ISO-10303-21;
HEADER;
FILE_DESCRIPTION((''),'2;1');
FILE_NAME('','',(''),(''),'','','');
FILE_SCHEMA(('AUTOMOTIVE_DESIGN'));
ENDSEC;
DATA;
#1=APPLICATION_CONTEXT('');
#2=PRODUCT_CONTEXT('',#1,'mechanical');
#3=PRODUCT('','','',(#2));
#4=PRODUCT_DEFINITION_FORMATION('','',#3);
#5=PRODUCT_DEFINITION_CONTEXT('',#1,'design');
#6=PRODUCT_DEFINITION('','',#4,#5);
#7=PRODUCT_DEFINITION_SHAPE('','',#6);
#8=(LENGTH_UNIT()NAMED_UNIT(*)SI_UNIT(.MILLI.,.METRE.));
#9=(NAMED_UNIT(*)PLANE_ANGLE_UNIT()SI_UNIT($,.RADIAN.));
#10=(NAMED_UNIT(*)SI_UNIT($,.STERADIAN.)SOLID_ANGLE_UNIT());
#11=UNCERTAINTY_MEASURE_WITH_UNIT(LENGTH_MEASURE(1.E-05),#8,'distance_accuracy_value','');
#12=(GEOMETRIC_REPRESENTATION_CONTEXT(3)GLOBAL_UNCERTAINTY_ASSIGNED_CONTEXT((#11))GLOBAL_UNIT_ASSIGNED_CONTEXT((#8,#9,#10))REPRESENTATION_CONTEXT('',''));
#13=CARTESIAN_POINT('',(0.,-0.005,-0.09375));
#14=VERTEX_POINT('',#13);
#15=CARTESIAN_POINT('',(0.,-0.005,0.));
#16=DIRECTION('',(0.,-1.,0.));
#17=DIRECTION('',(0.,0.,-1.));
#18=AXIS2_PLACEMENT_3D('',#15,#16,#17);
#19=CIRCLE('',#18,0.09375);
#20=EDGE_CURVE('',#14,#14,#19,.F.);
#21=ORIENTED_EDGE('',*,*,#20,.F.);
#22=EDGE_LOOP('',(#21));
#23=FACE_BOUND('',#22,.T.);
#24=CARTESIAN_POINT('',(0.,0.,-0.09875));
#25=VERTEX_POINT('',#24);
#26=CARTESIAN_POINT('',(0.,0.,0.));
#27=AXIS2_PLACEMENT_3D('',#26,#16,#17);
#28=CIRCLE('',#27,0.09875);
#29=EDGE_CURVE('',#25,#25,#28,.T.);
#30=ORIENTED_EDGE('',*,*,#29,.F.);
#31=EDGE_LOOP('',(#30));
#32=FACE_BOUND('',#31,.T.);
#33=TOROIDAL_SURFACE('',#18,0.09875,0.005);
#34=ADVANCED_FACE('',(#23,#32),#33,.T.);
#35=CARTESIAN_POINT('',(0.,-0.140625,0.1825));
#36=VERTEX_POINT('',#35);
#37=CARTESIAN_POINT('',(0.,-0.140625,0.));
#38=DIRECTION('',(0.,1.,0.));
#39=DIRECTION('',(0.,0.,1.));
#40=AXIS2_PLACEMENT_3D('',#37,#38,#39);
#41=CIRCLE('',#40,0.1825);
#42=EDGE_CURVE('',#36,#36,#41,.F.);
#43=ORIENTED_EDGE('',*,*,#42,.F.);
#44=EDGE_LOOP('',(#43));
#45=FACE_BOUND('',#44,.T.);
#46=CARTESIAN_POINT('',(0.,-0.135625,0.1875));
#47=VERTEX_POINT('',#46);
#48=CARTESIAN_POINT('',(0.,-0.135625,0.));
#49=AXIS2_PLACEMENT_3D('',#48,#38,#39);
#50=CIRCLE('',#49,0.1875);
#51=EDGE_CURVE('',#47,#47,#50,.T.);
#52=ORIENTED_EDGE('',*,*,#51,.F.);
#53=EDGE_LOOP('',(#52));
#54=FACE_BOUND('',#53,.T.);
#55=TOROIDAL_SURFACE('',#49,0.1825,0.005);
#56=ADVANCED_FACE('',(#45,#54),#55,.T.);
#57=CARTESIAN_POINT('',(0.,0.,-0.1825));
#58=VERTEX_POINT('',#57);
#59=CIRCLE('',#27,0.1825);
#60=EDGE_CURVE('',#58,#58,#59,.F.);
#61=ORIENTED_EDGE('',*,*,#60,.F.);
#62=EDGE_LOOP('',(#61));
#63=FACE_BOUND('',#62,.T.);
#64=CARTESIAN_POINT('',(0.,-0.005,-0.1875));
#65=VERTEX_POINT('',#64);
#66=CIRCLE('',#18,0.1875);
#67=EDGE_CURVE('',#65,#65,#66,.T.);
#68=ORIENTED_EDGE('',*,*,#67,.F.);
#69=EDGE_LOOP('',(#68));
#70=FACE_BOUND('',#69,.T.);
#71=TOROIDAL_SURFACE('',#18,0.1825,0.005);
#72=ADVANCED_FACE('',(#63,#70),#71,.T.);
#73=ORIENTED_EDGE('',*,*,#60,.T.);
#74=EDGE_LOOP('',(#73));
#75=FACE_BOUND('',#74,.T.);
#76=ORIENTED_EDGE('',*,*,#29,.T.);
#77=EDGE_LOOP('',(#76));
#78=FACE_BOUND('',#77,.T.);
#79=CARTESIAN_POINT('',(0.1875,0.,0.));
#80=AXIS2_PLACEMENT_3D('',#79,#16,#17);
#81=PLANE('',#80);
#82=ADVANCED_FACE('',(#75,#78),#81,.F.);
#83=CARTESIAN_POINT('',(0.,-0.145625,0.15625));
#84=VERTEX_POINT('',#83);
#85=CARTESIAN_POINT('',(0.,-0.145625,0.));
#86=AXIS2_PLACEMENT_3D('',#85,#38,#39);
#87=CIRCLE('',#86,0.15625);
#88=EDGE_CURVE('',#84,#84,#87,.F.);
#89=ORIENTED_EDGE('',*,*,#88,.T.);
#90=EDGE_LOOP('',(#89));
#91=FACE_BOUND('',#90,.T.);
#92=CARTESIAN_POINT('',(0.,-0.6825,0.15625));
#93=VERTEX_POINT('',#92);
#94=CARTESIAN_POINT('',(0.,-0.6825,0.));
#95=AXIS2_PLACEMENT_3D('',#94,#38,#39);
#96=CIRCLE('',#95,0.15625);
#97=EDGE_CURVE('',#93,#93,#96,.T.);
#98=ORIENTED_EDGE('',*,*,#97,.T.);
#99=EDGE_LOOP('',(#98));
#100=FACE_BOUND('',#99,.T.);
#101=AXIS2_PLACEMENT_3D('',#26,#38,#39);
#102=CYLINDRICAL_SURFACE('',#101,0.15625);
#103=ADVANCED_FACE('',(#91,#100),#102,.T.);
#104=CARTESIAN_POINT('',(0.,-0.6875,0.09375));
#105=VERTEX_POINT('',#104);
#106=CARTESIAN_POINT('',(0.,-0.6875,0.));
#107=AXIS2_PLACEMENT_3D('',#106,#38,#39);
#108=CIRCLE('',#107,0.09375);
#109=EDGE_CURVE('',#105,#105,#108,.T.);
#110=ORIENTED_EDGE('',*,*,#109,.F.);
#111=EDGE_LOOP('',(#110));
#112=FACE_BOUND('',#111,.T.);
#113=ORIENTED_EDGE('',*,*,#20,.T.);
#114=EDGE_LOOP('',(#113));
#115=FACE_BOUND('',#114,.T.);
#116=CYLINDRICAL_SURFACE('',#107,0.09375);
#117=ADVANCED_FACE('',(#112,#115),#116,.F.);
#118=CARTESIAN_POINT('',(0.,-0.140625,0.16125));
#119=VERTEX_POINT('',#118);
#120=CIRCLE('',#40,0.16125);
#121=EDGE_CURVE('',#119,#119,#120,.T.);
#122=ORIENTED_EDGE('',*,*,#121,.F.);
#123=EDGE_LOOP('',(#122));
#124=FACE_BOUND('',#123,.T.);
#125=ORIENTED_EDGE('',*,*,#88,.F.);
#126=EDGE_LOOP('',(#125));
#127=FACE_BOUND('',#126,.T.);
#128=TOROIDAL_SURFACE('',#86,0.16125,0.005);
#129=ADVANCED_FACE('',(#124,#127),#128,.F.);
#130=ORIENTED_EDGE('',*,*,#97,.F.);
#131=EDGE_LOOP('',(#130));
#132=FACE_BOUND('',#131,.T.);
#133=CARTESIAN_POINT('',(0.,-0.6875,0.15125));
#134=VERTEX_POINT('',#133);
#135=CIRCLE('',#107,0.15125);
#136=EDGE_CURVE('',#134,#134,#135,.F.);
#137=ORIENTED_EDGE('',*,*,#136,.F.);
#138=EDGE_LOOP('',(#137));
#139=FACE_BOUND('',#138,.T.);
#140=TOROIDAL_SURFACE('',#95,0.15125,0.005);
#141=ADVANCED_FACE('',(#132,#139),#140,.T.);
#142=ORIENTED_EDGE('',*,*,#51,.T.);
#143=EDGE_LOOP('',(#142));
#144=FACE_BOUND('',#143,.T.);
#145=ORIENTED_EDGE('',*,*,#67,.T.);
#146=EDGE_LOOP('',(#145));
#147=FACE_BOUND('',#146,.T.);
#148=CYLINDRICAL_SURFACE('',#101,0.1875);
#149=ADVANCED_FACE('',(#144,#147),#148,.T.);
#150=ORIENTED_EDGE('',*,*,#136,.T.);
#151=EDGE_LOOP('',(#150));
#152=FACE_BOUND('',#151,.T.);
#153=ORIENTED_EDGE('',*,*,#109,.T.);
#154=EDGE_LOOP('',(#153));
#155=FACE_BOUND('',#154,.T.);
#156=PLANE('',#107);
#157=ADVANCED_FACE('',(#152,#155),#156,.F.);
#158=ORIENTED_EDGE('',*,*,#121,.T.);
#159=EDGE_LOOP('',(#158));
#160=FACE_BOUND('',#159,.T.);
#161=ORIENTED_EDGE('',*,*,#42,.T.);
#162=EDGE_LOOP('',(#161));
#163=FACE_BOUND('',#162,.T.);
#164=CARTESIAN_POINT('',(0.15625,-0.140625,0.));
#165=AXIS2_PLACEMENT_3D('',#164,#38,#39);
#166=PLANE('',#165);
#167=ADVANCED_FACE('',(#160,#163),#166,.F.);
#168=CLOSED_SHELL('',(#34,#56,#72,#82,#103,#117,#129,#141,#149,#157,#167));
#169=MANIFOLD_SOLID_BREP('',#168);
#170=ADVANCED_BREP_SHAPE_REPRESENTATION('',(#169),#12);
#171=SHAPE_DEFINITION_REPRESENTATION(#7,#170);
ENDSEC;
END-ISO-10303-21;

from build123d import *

# Parameters (mm, degrees)
SKETCH2_R          = 0.09375
CUT_EXTRUDE1_DEPTH = 1.736864133
FILLET1_R          = 0.005


with BuildPart() as part:
    # Sketch1 → Revolve1 (revolve)
    with BuildSketch(Plane.XY, mode=Mode.PRIVATE) as revolve1_sk:
        Polygon((0, -0.6875), (0.15625, -0.6875), (0.15625, -0.140625), (0.1875, -0.140625), (0.1875, 0), (0, 0), align=None)
    revolve(revolve1_sk.sketch.rotate(Axis((0, 0, 0), (0, -1, 0)), 90), axis=Axis((0, 0, 0), (0, -1, 0)))

    # Sketch2 → Cut-Extrude1 (cut, through all)
    with BuildSketch(Plane(origin=(0, 0, 0), x_dir=(1, 0, 0), z_dir=(0, 1, 0))):
        with Locations(Location((0, 0, 0), (0, 0, 270))):
            Circle(SKETCH2_R)
    extrude(amount=-CUT_EXTRUDE1_DEPTH, mode=Mode.SUBTRACT)

    # Fillet1
    fillet1_edges = [part.edges().sort_by_distance(p)[0] for p in [
        (0, 0, -0.09375),
        (0, 0, -0.1875),
        (0, -0.140625, -0.1875),
        (0, -0.140625, -0.15625),
        (0, -0.6875, -0.15625),
    ]]
    fillet(fillet1_edges, radius=FILLET1_R)


solid = part.part
